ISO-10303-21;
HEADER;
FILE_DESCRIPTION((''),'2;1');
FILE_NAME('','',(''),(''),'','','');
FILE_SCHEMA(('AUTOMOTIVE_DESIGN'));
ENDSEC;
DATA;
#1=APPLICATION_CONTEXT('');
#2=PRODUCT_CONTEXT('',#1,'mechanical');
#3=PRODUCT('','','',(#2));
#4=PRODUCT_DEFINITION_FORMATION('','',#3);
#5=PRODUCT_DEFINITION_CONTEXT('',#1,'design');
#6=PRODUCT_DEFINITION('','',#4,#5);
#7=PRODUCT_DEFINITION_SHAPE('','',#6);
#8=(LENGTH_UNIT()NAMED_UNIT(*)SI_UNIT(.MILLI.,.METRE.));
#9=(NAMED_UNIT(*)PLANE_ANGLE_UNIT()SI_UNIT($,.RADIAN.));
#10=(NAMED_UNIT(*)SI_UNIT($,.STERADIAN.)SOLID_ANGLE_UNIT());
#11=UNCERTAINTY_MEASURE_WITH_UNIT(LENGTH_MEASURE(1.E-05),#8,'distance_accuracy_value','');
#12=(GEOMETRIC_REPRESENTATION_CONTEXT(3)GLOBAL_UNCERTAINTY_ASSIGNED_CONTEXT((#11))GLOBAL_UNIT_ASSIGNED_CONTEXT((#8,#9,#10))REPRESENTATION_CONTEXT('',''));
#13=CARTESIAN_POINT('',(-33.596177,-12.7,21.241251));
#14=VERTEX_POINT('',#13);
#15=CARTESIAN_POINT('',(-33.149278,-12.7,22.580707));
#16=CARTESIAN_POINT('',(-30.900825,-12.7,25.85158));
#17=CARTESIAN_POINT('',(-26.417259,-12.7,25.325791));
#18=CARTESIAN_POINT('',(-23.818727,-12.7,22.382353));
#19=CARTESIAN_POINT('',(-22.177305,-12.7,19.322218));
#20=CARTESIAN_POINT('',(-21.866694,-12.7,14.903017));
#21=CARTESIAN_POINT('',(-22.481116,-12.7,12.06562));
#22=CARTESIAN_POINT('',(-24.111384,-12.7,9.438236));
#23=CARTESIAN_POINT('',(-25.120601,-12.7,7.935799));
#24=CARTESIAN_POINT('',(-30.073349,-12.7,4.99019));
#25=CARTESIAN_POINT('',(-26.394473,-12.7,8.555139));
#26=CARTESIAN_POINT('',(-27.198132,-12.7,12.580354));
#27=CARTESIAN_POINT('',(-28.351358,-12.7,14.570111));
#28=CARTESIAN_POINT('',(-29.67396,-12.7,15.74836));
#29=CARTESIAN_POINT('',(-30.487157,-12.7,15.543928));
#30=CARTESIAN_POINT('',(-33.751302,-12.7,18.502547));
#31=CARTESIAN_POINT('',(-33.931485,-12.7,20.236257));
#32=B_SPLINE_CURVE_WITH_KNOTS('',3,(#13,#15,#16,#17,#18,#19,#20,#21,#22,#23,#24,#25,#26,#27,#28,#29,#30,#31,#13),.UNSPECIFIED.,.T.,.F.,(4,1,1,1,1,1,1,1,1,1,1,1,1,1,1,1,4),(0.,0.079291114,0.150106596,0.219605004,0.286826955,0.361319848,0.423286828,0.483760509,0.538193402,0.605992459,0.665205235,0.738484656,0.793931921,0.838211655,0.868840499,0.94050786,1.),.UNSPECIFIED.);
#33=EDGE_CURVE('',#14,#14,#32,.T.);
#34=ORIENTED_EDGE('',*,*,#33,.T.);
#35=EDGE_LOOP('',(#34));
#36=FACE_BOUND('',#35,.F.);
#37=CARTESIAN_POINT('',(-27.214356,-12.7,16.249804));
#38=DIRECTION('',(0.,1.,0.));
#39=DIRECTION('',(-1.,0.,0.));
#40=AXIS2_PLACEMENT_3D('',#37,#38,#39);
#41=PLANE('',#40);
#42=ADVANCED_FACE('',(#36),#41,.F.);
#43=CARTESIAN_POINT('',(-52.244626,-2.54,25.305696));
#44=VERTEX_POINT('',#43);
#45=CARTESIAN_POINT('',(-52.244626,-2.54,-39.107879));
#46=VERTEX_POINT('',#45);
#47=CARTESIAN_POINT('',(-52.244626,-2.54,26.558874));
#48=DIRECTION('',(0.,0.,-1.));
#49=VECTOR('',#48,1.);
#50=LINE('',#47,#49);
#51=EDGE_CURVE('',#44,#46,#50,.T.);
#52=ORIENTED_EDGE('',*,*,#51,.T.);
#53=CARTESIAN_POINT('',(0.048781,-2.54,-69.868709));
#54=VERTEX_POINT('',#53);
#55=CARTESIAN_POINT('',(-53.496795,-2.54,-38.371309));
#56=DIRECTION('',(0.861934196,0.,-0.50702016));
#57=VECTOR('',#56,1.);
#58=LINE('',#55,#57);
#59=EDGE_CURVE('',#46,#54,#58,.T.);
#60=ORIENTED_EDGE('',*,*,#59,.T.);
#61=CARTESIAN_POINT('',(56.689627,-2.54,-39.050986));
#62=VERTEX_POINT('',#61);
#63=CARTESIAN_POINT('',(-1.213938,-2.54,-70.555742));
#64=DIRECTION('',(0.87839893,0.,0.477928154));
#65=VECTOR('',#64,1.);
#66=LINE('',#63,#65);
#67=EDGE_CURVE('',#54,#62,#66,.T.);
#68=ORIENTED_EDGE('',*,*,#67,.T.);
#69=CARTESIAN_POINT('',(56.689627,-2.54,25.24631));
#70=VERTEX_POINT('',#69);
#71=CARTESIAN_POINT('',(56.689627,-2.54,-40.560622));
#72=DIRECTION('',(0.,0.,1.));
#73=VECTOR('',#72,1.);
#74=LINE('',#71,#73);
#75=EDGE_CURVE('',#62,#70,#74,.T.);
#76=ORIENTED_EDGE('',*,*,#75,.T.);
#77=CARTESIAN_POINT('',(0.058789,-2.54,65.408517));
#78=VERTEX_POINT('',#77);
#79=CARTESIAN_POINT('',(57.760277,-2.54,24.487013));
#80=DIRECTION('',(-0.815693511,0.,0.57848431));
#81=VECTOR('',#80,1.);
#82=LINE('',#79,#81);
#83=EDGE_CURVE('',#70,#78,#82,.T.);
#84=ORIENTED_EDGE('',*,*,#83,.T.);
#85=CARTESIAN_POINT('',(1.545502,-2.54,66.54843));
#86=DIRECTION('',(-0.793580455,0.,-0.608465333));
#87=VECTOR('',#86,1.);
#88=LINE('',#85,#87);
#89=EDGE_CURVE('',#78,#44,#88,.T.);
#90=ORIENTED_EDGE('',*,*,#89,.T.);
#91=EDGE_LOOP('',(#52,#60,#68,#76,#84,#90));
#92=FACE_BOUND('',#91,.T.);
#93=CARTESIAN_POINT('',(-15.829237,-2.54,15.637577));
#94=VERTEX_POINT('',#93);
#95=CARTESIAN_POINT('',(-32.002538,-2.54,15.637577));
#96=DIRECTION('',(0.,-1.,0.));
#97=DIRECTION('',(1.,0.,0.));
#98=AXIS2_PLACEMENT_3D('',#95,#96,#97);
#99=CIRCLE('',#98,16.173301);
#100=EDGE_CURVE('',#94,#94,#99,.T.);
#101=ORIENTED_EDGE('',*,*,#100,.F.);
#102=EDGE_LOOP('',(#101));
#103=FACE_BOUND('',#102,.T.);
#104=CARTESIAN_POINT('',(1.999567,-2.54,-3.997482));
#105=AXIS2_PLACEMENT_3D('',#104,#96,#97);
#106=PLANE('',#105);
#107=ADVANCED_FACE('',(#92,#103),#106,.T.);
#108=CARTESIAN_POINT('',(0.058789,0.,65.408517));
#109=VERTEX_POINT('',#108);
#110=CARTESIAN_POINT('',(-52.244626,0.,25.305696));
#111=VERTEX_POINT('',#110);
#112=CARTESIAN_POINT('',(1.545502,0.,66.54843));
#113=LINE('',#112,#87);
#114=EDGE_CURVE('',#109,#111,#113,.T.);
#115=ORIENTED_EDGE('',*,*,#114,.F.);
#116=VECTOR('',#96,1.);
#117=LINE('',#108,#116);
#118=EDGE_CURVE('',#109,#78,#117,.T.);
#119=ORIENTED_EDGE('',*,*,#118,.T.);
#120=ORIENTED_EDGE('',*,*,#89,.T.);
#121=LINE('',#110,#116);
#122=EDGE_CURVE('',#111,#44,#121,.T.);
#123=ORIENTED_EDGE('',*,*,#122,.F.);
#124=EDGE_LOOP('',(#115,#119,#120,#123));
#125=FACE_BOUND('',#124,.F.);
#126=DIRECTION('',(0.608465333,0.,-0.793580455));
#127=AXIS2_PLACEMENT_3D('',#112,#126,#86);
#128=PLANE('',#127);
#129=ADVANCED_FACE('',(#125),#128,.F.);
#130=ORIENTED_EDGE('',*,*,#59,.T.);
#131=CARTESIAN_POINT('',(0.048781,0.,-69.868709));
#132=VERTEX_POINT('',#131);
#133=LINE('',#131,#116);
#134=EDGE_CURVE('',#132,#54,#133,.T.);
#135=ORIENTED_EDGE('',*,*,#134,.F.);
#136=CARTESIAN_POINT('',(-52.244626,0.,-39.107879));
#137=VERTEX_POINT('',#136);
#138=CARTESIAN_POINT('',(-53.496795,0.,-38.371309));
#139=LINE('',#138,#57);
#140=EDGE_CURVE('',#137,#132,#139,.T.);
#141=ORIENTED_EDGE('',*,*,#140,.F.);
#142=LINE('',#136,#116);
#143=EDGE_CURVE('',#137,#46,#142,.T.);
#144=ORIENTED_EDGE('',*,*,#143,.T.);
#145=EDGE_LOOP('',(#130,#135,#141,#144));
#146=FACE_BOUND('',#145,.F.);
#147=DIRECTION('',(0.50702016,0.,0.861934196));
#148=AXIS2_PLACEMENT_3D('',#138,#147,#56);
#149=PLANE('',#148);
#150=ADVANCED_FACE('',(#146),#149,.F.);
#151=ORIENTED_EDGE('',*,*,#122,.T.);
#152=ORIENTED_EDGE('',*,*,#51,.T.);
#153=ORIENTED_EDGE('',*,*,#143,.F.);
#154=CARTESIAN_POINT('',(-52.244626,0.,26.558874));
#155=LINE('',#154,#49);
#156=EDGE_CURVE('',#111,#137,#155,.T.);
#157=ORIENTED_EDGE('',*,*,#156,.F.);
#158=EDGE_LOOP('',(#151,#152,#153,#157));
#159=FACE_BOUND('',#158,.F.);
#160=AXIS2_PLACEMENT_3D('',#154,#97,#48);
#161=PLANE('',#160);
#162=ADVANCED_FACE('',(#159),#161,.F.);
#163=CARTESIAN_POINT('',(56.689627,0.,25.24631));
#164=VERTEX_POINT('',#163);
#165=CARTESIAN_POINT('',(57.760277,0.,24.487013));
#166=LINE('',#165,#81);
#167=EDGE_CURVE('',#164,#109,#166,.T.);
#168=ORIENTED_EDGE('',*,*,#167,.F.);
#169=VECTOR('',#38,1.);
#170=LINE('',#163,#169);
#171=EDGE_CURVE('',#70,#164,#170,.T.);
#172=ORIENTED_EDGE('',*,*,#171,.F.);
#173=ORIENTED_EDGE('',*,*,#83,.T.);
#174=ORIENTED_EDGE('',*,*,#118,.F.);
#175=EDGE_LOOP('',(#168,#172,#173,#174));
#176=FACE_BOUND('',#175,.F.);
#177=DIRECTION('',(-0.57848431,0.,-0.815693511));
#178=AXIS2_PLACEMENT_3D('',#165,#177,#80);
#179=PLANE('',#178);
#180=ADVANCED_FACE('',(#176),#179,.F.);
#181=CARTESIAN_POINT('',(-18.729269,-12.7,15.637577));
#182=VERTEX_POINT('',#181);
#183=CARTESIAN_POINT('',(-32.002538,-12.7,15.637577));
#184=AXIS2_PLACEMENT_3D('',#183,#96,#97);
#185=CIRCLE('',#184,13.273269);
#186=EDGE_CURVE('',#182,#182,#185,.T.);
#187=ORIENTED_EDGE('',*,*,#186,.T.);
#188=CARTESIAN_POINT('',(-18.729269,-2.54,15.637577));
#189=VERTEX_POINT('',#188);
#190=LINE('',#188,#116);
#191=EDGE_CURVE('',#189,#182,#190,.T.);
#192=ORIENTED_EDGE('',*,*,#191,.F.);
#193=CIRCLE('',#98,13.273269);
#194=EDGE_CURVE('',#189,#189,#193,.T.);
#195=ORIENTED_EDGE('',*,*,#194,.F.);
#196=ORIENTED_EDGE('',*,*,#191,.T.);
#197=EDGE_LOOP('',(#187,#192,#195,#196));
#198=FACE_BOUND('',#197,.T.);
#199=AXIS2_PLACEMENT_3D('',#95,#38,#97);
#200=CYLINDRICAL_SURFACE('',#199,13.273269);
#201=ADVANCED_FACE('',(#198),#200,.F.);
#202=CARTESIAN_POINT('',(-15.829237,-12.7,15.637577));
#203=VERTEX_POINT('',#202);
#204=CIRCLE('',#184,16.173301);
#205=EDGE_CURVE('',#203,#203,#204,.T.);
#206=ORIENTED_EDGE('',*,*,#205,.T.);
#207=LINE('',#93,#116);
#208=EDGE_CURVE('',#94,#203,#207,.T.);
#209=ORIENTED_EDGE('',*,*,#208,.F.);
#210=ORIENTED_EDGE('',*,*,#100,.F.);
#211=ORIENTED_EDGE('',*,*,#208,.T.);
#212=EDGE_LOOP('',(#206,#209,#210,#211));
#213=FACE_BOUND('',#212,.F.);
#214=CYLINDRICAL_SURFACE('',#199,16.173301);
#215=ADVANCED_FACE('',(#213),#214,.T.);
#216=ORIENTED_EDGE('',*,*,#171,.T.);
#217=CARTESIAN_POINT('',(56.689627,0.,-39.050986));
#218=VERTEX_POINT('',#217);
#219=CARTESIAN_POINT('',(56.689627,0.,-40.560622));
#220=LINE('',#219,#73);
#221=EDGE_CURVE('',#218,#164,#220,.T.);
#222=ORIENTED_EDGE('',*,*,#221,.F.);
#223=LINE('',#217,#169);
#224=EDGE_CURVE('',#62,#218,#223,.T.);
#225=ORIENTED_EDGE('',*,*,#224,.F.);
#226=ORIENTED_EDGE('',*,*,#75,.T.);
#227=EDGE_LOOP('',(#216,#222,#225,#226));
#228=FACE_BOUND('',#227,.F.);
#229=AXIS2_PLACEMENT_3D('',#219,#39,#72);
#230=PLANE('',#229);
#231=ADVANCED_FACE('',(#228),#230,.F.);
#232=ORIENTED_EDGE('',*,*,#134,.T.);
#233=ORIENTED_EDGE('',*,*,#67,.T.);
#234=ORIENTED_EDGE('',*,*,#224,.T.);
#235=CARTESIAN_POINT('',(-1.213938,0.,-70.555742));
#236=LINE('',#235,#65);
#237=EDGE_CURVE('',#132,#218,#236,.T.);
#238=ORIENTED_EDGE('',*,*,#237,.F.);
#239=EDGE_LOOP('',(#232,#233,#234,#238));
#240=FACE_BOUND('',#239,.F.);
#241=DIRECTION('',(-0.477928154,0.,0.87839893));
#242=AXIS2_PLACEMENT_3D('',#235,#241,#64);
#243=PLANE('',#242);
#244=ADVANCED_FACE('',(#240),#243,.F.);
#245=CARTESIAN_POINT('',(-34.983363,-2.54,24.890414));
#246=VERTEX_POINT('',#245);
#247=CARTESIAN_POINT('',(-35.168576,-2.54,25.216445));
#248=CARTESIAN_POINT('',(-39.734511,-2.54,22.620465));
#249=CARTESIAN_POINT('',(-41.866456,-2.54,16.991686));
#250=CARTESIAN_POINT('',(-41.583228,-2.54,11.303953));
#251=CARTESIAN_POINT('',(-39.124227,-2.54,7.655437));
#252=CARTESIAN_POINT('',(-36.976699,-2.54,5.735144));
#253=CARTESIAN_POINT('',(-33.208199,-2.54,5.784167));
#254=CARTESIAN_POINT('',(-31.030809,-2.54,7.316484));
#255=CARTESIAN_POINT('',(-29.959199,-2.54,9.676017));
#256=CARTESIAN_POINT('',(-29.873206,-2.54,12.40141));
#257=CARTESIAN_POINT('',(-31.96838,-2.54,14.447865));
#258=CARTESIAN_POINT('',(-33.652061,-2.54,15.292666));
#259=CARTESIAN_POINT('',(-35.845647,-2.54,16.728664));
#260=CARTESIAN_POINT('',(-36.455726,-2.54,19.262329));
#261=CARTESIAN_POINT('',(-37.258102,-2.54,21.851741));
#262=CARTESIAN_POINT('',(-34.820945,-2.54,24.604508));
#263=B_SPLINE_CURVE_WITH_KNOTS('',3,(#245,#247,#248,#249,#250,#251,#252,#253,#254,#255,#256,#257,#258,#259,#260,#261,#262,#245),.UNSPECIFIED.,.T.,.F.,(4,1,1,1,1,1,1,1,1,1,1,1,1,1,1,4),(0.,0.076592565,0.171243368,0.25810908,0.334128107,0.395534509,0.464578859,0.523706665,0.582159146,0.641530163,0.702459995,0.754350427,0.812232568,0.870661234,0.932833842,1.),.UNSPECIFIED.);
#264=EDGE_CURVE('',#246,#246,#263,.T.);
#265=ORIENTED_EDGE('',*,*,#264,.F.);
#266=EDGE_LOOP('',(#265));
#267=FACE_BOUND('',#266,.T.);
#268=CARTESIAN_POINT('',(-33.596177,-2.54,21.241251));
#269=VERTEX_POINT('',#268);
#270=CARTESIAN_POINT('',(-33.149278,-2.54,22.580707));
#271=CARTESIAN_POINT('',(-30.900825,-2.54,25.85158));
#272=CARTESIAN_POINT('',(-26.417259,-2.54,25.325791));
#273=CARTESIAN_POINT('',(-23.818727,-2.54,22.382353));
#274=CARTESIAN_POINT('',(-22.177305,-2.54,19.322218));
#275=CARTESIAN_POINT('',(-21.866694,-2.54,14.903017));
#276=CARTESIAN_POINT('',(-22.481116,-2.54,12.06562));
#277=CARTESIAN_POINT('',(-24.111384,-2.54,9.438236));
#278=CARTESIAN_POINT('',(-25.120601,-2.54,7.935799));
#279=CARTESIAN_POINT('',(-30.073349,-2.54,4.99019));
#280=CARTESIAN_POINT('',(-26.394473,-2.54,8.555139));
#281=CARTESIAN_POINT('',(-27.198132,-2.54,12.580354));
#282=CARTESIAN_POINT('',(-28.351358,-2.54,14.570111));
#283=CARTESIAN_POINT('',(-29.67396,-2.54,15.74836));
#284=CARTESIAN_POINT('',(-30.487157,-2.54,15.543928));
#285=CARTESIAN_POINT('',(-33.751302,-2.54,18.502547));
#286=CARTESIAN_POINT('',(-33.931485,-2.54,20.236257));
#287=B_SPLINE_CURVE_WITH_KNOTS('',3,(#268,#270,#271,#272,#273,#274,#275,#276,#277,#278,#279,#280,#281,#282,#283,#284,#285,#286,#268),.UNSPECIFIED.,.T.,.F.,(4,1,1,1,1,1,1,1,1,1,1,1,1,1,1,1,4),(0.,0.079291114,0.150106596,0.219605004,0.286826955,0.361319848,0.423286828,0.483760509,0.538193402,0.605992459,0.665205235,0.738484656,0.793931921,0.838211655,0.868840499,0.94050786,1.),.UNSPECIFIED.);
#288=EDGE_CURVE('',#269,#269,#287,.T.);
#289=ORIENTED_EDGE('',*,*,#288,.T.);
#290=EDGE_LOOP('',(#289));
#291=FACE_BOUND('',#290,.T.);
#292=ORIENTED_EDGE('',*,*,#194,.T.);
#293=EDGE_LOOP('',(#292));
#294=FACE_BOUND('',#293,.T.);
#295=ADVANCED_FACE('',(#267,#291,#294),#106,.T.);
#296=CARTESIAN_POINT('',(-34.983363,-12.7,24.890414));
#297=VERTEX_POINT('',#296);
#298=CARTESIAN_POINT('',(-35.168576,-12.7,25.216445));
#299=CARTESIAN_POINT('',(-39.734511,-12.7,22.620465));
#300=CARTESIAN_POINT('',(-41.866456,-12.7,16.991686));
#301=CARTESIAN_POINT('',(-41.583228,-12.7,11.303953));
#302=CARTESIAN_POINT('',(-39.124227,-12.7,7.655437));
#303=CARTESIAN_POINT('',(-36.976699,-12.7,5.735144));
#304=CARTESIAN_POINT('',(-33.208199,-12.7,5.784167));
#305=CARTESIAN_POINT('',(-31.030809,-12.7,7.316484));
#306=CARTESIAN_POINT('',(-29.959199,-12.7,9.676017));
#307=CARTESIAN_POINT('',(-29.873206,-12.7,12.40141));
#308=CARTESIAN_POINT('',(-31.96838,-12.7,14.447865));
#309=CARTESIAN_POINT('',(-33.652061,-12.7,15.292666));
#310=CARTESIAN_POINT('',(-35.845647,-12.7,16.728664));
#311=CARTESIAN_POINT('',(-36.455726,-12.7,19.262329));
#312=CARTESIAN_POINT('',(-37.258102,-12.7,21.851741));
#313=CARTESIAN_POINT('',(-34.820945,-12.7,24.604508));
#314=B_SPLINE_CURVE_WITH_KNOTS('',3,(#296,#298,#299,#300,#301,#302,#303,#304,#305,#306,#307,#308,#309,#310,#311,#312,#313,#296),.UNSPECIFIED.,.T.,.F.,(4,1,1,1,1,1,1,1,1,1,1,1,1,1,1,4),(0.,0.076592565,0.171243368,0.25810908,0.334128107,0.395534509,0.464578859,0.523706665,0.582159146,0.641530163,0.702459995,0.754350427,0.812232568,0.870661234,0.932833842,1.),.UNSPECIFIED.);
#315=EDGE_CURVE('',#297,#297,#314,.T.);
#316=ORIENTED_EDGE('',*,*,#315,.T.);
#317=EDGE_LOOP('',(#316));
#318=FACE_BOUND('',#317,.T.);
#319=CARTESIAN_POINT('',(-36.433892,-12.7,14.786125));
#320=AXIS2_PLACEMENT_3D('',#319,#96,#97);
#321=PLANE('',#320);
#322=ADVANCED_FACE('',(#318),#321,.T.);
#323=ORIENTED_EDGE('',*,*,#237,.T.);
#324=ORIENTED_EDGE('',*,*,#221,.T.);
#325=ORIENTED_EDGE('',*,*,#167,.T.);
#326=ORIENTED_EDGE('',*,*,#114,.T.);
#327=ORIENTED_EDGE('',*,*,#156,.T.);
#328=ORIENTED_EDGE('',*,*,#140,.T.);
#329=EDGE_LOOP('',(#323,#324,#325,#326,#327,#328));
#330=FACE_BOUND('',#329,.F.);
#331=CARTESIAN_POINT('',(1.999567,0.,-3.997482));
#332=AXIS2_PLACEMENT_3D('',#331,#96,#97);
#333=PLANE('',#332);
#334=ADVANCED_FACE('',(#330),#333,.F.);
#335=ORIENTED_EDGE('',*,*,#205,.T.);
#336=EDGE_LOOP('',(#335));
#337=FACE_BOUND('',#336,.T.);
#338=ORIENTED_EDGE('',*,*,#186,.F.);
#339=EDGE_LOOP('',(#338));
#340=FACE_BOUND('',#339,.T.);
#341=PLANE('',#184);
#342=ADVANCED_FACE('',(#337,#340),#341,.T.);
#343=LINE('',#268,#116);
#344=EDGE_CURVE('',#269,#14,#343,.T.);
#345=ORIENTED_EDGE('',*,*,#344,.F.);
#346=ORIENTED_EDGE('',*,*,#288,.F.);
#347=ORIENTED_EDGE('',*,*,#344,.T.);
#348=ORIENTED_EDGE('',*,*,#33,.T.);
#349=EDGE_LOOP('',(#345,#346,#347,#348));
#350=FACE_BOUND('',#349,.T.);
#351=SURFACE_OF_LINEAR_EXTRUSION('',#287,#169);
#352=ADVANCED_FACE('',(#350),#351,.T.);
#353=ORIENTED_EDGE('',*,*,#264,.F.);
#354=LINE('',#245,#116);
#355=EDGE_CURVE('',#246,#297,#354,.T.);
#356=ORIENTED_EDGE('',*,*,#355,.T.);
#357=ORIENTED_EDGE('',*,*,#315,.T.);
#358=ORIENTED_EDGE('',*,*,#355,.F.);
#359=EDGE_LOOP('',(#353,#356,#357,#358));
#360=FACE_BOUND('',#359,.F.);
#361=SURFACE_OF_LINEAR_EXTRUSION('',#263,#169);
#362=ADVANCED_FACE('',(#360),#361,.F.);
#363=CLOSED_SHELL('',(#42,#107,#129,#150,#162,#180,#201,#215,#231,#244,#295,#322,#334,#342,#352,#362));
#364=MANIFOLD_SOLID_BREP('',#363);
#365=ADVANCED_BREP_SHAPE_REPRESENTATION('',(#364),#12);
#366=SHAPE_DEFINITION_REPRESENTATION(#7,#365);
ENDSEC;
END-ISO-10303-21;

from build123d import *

# Parameters (mm, degrees)
F1_DEPTH  = 12.7
F2_DEPTH  = 2.54
F3_DEPTH  = 7.62
F4_DEPTH  = 2.54
F5_DEPTH  = 2.54
F6_DEPTH  = 2.54
F7_DEPTH  = 2.54
F8_DEPTH  = 2.54
F9_DEPTH  = 2.54
F10_R     = 16.173301128
F10_R_2   = 13.2732691709
F11_DEPTH = 10.16


with BuildPart() as f1:
    # F0 (on Front) → F1 (new body)
    with BuildSketch(Plane.XZ):
        Polygon((59.2296272516, 26.558874175), (0, 68.5641244054), (-54.7846257687, 26.558874175), (-54.7846257687, -40.5606217682), (0, -72.7868750691), (59.2296272516, -40.5606217682), align=None)
    extrude(amount=F1_DEPTH)

    # F2 (cut): a face of the model
    f2_faces = [f1.faces().sort_by_distance(p)[0] for p in [
        (1.9587071028, -12.7, -4.2659517496),
    ]]
    extrude(f2_faces, amount=-F2_DEPTH, mode=Mode.SUBTRACT)

    # F3 (cut): a face of the model
    f3_faces = [f1.faces().sort_by_distance(p)[0] for p in [
        (1.9587071028, -10.16, -4.2659517496),
    ]]
    extrude(f3_faces, amount=-F3_DEPTH, mode=Mode.SUBTRACT)

    # F4 (cut): a face of the model
    f4_faces = [f1.faces().sort_by_distance(p)[0] for p in [
        (29.6148136258, -1.27, 47.5614992902),
    ]]
    extrude(f4_faces, amount=-F4_DEPTH, mode=Mode.SUBTRACT)

    # F5 (cut): a face of the model
    f5_faces = [f1.faces().sort_by_distance(p)[0] for p in [
        (-27.3923128843, -1.27, 47.5614992902),
    ]]
    extrude(f5_faces, amount=-F5_DEPTH, mode=Mode.SUBTRACT)

    # F6 (cut): a face of the model
    f6_faces = [f1.faces().sort_by_distance(p)[0] for p in [
        (59.2296272516, -1.27, -7.0008737966),
    ]]
    extrude(f6_faces, amount=-F6_DEPTH, mode=Mode.SUBTRACT)

    # F7 (cut): a face of the model
    f7_faces = [f1.faces().sort_by_distance(p)[0] for p in [
        (-54.7846257687, -1.27, -7.0008737966),
    ]]
    extrude(f7_faces, amount=-F7_DEPTH, mode=Mode.SUBTRACT)

    # F8 (cut): a face of the model
    f8_faces = [f1.faces().sort_by_distance(p)[0] for p in [
        (-27.3923128843, -1.27, -56.6737484187),
    ]]
    extrude(f8_faces, amount=-F8_DEPTH, mode=Mode.SUBTRACT)

    # F9 (cut): a face of the model
    f9_faces = [f1.faces().sort_by_distance(p)[0] for p in [
        (29.6148136258, -1.27, -56.6737484187),
    ]]
    extrude(f9_faces, amount=-F9_DEPTH, mode=Mode.SUBTRACT)

    # F10 (on face) → F11 (join)
    with BuildSketch(Plane.XZ.offset(2.54)):
        with Locations((-32.0025384426, 15.63757658)):
            Circle(F10_R)
        with Locations((-32.0025384426, 15.63757658)):
            Circle(F10_R_2, mode=Mode.SUBTRACT)
        with BuildLine():
            add(Edge.make_bspline(
                [(-33.5961766541, 21.2412513793), (-33.1492776835, 22.5807073107), (-30.9008253001, 25.8515795844), (-26.4172585119, 25.3257909083), (-23.8187268917, 22.3823531071), (-22.1773049658, 19.3222183747), (-21.8666938493, 14.9030170423), (-22.4811159871, 12.0656202443), (-24.1113840842, 9.4382361214), (-25.1206009779, 7.9357990415), (-30.073349283, 4.9901899104), (-26.3944730083, 8.5551386268), (-27.1981324947, 12.5803540617), (-28.3513584816, 14.5701110117), (-29.6739604056, 15.7483599916), (-30.4871570995, 15.543927958), (-33.751302235, 18.5025468364), (-33.9314850499, 20.2362572996), (-33.5961766541, 21.2412513793)],
                knots=[0, 0, 0, 0, 0.0792911137, 0.1501065964, 0.2196050044, 0.2868269554, 0.361319848, 0.4232868285, 0.4837605091, 0.5381934016, 0.6059924585, 0.665205235, 0.7384846564, 0.7939319213, 0.8382116548, 0.8688404987, 0.94050786, 1, 1, 1, 1], degree=3))
        make_face()
        with BuildLine():
            add(Edge.make_bspline(
                [(-34.9833630025, 24.8904135078), (-35.168575554, 25.2164447888), (-39.7345110582, 22.6204650031), (-41.8664556921, 16.9916859993), (-41.5832281583, 11.3039533818), (-39.1242273338, 7.6554368419), (-36.9766990698, 5.735143943), (-33.2081987088, 5.7841669021), (-31.0308089727, 7.3164844395), (-29.9591991622, 9.6760169365), (-29.8732056251, 12.4014101557), (-31.9683798521, 14.4478650596), (-33.6520606287, 15.2926663792), (-35.8456473217, 16.7286638318), (-36.4557260431, 19.2623287104), (-37.2581020202, 21.8517411964), (-34.820944947, 24.6045075783), (-34.9833630025, 24.8904135078)],
                knots=[0, 0, 0, 0, 0.0765925653, 0.1712433684, 0.2581090796, 0.3341281069, 0.3955345086, 0.4645788585, 0.523706665, 0.582159146, 0.641530163, 0.7024599948, 0.7543504268, 0.8122325682, 0.8706612342, 0.9328338419, 1, 1, 1, 1], degree=3))
        make_face()
    extrude(amount=F11_DEPTH)


solid = f1.part
